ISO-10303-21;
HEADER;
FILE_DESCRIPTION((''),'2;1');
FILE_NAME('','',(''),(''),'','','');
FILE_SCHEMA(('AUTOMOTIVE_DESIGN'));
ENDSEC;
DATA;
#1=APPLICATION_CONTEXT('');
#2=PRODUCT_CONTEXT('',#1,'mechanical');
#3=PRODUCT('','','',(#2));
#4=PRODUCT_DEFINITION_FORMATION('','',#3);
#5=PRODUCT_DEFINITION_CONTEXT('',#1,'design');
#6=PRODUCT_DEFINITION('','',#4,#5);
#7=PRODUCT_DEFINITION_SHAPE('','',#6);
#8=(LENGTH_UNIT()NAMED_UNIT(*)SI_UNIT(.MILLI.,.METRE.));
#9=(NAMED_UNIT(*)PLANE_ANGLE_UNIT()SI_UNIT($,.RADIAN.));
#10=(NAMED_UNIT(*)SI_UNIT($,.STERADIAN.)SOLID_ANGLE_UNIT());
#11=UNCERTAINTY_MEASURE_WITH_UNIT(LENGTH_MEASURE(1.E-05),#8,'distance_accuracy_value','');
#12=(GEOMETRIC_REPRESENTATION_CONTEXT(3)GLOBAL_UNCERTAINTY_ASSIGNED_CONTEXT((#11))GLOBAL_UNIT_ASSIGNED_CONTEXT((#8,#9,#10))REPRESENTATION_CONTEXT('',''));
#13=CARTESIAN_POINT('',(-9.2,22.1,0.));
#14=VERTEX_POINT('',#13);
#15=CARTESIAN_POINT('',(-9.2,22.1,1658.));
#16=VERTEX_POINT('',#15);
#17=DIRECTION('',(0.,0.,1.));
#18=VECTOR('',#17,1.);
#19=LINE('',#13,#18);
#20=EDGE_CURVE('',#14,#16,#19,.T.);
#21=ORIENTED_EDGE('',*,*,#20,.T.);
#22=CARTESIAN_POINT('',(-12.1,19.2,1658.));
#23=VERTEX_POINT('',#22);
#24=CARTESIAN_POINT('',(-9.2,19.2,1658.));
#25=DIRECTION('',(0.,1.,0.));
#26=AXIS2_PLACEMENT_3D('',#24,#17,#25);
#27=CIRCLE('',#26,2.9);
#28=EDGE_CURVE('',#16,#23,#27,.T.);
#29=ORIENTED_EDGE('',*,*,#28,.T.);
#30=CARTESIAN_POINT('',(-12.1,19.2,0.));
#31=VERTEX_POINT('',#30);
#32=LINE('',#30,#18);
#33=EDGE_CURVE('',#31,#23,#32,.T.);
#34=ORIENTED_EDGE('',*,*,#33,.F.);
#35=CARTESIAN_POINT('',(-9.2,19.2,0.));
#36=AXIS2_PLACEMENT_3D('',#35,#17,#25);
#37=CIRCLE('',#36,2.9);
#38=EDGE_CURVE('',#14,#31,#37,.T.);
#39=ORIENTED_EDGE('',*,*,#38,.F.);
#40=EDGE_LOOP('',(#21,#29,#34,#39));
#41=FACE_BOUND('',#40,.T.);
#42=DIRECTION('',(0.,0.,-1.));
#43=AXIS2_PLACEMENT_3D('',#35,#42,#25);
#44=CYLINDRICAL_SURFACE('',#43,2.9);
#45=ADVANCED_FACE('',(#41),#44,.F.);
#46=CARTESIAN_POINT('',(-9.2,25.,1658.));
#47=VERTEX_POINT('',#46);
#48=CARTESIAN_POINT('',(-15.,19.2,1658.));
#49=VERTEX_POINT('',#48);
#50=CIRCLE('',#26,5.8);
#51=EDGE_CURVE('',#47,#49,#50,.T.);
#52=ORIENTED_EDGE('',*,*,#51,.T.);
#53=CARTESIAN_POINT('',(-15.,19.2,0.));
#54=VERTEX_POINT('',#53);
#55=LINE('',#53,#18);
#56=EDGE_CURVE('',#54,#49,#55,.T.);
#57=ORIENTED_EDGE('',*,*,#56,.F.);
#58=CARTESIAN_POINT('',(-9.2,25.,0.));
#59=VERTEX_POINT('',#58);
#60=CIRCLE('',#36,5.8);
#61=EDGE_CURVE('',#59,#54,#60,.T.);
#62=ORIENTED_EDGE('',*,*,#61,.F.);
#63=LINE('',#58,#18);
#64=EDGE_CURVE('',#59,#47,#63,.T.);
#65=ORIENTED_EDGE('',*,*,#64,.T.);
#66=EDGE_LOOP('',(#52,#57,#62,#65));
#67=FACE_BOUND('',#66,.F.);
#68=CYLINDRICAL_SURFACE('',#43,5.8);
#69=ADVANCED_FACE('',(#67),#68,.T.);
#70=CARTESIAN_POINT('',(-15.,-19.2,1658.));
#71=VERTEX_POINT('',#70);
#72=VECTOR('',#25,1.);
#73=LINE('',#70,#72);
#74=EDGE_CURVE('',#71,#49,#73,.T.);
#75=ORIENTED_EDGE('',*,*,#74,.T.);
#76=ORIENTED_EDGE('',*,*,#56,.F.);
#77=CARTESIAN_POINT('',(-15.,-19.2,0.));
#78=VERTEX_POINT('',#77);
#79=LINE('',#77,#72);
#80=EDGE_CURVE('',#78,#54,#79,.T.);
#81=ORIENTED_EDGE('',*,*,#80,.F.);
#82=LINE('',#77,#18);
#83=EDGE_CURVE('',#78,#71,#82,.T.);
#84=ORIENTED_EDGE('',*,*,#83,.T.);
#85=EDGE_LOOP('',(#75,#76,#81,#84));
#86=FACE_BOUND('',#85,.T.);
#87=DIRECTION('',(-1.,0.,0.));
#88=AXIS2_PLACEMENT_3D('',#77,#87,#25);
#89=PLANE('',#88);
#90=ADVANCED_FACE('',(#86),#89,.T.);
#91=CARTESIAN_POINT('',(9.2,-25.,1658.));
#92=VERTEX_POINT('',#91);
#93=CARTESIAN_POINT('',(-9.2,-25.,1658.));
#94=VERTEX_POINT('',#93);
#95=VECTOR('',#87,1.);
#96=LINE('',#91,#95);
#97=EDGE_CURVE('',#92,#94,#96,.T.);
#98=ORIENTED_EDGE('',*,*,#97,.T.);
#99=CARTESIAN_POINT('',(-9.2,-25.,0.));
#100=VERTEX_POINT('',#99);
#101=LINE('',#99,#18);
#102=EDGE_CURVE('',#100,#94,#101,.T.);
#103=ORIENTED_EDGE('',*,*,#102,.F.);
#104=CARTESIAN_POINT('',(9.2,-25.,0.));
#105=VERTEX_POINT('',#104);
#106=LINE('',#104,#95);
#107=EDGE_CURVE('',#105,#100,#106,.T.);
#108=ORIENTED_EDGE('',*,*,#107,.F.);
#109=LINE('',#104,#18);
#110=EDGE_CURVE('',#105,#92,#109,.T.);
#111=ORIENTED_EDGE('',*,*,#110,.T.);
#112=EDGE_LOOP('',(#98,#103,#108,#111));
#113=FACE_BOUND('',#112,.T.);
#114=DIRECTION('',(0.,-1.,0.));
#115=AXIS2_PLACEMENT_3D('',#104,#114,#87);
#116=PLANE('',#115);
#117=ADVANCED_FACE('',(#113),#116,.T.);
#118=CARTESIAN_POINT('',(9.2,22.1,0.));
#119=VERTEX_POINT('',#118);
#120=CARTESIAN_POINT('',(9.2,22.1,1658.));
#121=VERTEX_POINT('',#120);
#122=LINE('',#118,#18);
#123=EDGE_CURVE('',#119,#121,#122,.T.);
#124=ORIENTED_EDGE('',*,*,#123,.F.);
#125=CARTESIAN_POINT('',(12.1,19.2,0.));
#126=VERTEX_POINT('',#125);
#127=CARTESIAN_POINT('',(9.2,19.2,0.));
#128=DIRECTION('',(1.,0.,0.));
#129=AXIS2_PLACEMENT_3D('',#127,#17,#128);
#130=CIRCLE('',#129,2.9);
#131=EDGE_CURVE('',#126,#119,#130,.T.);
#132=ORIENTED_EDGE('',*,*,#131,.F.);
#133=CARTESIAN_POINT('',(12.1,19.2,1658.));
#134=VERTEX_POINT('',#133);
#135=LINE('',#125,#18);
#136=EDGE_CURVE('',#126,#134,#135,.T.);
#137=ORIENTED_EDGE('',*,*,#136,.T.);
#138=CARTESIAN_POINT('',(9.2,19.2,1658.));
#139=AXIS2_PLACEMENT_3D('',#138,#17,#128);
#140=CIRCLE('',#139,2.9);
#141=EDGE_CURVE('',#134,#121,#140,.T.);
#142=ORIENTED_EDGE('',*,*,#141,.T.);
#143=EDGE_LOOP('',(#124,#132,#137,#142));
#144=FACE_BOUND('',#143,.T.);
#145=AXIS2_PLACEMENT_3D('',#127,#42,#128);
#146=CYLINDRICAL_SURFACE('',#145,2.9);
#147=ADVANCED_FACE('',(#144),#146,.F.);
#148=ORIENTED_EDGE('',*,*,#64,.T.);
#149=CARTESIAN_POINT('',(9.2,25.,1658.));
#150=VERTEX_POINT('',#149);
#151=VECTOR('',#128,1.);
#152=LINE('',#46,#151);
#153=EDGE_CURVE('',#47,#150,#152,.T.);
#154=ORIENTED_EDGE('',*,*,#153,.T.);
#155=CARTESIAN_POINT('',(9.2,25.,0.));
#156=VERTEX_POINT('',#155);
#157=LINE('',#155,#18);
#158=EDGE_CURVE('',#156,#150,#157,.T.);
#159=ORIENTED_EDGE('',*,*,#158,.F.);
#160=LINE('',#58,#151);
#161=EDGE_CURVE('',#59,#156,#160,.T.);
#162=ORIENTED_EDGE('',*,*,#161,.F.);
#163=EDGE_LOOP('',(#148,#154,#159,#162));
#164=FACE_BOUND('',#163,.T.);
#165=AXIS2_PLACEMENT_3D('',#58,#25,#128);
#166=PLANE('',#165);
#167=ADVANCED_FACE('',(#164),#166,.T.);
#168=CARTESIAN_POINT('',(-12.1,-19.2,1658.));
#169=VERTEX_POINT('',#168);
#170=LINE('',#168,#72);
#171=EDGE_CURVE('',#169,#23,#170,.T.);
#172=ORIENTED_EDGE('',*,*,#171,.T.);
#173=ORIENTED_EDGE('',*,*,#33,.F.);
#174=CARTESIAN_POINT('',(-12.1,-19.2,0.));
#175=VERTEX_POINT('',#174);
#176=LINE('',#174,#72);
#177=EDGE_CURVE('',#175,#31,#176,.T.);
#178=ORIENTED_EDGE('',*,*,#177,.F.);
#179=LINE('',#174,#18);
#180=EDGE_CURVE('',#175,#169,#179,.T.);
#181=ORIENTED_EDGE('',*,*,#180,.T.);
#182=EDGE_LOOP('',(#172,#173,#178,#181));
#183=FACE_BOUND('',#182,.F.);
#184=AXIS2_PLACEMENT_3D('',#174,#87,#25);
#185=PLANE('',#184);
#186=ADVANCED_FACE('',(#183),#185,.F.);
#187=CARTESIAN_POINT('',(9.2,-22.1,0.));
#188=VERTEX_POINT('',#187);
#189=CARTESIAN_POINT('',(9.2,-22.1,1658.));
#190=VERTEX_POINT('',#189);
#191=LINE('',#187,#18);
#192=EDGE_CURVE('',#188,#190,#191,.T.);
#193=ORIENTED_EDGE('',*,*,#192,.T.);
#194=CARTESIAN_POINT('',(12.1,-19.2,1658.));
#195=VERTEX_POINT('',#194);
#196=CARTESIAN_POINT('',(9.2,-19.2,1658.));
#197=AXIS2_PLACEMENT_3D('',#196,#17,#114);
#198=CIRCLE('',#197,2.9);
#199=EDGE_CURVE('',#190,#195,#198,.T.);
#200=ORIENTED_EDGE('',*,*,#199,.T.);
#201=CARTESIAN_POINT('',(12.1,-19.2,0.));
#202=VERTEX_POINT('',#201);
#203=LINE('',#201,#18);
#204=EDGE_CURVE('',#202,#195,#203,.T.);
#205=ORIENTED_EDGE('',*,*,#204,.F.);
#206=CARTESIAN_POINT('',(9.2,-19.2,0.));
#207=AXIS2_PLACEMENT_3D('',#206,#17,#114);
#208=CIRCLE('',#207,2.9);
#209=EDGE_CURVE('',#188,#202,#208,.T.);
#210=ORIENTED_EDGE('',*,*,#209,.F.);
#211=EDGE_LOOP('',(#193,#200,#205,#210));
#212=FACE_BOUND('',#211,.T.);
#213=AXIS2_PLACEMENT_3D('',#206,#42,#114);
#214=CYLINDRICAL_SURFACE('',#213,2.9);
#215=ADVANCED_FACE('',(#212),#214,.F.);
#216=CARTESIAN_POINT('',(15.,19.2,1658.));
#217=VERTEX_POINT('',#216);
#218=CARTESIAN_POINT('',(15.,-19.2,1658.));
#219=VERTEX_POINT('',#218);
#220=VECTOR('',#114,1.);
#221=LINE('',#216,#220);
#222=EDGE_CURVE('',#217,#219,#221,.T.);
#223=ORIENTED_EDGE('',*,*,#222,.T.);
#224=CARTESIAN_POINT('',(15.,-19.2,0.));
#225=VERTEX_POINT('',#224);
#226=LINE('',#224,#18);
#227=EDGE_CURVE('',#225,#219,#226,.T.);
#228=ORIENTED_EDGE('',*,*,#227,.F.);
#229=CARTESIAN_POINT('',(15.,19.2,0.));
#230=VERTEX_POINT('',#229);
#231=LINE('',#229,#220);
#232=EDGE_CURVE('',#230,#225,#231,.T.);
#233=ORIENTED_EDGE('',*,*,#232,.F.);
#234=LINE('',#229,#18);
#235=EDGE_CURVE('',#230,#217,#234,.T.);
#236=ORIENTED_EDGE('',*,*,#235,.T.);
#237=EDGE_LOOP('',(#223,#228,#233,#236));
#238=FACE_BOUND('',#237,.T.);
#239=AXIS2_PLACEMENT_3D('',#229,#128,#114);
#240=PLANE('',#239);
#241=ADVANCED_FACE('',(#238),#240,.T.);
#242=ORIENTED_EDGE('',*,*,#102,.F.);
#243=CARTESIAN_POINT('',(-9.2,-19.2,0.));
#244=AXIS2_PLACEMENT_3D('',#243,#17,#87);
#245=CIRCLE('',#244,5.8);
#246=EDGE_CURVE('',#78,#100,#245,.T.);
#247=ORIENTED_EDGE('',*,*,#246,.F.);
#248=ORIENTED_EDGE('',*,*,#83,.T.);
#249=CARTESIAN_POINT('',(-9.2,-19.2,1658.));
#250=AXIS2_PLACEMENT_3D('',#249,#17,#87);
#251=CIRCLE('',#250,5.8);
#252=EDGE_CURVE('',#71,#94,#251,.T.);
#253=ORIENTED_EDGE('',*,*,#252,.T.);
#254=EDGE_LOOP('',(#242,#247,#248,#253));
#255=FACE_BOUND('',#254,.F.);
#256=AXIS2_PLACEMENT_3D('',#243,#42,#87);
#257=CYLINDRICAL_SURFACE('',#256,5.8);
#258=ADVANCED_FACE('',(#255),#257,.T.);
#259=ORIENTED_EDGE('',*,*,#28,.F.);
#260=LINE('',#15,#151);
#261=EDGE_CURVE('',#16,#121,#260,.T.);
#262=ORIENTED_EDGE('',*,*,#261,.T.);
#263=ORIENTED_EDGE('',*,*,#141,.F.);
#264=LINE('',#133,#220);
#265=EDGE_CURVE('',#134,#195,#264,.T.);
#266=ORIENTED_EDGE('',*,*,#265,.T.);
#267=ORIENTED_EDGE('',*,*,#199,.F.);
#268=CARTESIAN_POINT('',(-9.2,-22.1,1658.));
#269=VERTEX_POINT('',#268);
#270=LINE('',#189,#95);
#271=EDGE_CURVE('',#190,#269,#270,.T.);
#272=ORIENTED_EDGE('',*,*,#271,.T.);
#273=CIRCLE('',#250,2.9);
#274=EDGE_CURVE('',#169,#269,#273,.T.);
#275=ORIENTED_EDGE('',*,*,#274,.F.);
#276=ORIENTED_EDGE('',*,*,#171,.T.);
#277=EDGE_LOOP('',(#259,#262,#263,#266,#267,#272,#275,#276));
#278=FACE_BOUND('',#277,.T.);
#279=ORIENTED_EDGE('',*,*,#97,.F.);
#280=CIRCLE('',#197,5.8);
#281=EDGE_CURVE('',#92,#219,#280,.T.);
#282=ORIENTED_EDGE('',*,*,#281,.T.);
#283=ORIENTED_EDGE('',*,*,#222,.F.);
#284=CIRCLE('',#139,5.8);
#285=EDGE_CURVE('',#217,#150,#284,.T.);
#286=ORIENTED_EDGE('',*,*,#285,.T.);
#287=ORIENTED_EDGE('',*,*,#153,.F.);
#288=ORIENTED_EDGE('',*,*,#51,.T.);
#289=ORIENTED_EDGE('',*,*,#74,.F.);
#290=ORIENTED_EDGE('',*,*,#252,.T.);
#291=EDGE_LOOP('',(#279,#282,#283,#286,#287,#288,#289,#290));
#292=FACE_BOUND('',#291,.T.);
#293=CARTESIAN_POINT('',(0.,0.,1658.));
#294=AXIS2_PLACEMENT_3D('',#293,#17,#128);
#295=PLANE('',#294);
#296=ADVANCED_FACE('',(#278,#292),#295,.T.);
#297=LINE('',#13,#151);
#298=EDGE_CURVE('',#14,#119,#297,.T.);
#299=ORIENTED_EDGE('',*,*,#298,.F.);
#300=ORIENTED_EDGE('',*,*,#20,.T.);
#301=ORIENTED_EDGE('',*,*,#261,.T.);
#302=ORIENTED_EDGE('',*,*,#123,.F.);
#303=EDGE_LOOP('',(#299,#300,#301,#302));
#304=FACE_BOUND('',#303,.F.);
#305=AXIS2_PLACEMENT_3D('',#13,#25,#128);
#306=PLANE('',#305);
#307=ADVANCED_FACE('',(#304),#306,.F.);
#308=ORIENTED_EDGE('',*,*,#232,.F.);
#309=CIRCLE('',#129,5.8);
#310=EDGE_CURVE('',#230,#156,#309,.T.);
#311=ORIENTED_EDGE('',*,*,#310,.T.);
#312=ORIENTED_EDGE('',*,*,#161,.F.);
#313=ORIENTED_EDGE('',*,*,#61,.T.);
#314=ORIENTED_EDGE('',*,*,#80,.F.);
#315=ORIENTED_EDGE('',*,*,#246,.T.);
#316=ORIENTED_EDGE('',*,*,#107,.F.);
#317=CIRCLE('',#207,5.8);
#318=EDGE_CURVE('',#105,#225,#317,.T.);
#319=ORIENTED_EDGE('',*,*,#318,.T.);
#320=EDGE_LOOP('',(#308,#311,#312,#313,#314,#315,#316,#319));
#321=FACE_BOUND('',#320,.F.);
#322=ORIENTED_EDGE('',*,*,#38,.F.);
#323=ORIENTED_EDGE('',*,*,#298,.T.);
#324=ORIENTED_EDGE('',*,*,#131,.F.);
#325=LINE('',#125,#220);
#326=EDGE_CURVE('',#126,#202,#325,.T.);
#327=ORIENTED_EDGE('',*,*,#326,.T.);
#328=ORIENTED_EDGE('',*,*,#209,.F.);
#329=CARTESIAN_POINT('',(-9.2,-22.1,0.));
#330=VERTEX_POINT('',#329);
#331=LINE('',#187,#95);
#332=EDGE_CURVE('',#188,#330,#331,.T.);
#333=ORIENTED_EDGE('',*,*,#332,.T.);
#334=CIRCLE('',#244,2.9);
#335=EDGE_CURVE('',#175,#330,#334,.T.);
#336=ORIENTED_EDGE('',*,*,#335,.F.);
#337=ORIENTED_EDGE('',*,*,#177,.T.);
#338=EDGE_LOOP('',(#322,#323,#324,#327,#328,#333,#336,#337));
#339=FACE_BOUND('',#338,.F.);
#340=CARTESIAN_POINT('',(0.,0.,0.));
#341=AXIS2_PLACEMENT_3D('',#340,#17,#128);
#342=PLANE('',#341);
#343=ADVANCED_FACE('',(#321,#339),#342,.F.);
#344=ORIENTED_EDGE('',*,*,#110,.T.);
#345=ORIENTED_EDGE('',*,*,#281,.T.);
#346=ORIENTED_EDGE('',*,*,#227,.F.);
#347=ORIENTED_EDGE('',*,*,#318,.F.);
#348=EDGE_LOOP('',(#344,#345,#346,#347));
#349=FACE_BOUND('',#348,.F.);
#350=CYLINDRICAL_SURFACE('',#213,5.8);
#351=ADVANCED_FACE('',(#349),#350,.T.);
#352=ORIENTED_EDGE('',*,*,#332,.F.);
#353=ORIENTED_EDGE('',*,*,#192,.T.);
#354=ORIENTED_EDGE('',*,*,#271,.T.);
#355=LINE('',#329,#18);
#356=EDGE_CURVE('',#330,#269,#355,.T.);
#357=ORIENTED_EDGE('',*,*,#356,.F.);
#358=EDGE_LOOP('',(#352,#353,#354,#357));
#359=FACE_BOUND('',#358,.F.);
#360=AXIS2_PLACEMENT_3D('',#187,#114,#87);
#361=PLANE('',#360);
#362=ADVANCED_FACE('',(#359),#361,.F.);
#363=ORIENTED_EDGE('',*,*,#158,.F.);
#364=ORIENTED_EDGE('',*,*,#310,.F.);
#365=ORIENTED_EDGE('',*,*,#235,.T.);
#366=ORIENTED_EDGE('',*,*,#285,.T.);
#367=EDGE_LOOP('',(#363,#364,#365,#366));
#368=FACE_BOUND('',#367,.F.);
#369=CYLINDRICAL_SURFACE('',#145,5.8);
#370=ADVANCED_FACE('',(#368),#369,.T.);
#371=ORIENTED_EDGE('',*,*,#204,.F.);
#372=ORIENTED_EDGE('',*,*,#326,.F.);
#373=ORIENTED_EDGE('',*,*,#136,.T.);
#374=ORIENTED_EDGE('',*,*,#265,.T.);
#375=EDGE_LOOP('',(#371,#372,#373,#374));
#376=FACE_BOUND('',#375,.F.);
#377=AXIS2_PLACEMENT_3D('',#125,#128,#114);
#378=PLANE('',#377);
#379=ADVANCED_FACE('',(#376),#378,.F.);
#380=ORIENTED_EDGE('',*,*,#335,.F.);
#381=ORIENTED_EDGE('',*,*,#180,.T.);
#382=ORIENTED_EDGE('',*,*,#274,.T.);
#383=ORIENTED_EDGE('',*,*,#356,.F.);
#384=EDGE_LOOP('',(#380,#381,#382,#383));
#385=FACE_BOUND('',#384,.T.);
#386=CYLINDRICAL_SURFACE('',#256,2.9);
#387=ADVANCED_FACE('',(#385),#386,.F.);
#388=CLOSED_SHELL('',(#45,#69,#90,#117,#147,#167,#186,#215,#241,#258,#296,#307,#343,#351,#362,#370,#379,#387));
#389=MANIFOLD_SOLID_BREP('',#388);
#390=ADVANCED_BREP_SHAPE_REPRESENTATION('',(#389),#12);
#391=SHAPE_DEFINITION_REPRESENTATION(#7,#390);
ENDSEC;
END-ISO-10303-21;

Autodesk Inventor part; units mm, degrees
ref_plane "YZ Plane" through (0, 0, 0) normal (1, 0, 0) x (0, 1, 0)
ref_plane "Start plane" through (0, 0, 0) normal (0, 0, 1) x (1, 0, 0)
ref_plane "End plane" through (0, 0, 1658) normal (0, 0, 1) x (1, 0, 0)
sketch "Sketch" plane through (0, 0, 0) normal (0, 0, 1) x (1, 0, 0)
  line L0 (-9.2, 25) -> (9.2, 25)
  line L1 (15, 19.2) -> (15, -19.2)
  line L2 (9.2, -25) -> (-9.2, -25)
  line L3 (-15, -19.2) -> (-15, 19.2)
  arc A0 (-9.2, 25) -> (-15, 19.2) centre (-9.2, 19.2) ccw
  arc A1 (15, 19.2) -> (9.2, 25) centre (9.2, 19.2) ccw
  arc A2 (9.2, -25) -> (15, -19.2) centre (9.2, -19.2) ccw
  arc A3 (-15, -19.2) -> (-9.2, -25) centre (-9.2, -19.2) ccw
  line L4 (-22.6817, 0) -> (22.6817, 0) construction
  line L5 (0, -36.6817) -> (0, 36.6817) construction
  arc A4 (-9.2, 22.1) -> (-12.1, 19.2) centre (-9.2, 19.2) ccw
  line L6 (-9.2, 22.1) -> (9.2, 22.1)
  arc A5 (12.1, 19.2) -> (9.2, 22.1) centre (9.2, 19.2) ccw
  line L7 (12.1, 19.2) -> (12.1, -19.2)
  arc A6 (9.2, -22.1) -> (12.1, -19.2) centre (9.2, -19.2) ccw
  line L8 (9.2, -22.1) -> (-9.2, -22.1)
  arc A7 (-12.1, -19.2) -> (-9.2, -22.1) centre (-9.2, -19.2) ccw
  line L9 (-12.1, -19.2) -> (-12.1, 19.2)
  point P0 (-15, 25)
  point P1 (15, -25)
  point P2 (15, 25)
  dimension "b" = 30
  dimension "ParH" = 50
  dimension "msp_r" = 5.8
  dimension "d8" = 15
  dimension "d9" = 25
  dimension "d10" = 2.9
extrude "Body" add sketch "Sketch" along normal up to surface (1658 mm away) from surface at 0
sketch "Sketch2" plane through (0, 0, 0) normal (0, 0, 1) x (1, 0, 0)
  line L0 (0, 0) -> (10, 0)
ref_plane "Work Plane3" through (0, 0, 0) normal (0, -1, 0) x (1, 0, 0)
sketch "Sketch3" plane through (0, 0, 0) normal (0, -1, 0) x (1, 0, 0)
  line L0 (-2, 0) -> (12, 0)
  line L1 (-2, 1658) -> (12, 1658)
  dimension "d14" = 1658
equation "\"msp_r\" = 2 * ParT"
equation "\"d8\" = 0.5 * b"
equation "\"d9\" = 0.5 * ParH"
equation "\"d10\" = ParT"
equation "\"G_OFFSET_START\" = 0"
equation "\"G_OFFSET_END\" = 0"
equation "\"d12\" = G_OFFSET_END + B_L"
equation "\"G_L\" = d14"
equation "\"B_L\" = 1658"
equation "\"ParT\" = 2.9"
properties part number "DIN 59 410 - 50x30x2.9-1658" material "Steel, Mild"
